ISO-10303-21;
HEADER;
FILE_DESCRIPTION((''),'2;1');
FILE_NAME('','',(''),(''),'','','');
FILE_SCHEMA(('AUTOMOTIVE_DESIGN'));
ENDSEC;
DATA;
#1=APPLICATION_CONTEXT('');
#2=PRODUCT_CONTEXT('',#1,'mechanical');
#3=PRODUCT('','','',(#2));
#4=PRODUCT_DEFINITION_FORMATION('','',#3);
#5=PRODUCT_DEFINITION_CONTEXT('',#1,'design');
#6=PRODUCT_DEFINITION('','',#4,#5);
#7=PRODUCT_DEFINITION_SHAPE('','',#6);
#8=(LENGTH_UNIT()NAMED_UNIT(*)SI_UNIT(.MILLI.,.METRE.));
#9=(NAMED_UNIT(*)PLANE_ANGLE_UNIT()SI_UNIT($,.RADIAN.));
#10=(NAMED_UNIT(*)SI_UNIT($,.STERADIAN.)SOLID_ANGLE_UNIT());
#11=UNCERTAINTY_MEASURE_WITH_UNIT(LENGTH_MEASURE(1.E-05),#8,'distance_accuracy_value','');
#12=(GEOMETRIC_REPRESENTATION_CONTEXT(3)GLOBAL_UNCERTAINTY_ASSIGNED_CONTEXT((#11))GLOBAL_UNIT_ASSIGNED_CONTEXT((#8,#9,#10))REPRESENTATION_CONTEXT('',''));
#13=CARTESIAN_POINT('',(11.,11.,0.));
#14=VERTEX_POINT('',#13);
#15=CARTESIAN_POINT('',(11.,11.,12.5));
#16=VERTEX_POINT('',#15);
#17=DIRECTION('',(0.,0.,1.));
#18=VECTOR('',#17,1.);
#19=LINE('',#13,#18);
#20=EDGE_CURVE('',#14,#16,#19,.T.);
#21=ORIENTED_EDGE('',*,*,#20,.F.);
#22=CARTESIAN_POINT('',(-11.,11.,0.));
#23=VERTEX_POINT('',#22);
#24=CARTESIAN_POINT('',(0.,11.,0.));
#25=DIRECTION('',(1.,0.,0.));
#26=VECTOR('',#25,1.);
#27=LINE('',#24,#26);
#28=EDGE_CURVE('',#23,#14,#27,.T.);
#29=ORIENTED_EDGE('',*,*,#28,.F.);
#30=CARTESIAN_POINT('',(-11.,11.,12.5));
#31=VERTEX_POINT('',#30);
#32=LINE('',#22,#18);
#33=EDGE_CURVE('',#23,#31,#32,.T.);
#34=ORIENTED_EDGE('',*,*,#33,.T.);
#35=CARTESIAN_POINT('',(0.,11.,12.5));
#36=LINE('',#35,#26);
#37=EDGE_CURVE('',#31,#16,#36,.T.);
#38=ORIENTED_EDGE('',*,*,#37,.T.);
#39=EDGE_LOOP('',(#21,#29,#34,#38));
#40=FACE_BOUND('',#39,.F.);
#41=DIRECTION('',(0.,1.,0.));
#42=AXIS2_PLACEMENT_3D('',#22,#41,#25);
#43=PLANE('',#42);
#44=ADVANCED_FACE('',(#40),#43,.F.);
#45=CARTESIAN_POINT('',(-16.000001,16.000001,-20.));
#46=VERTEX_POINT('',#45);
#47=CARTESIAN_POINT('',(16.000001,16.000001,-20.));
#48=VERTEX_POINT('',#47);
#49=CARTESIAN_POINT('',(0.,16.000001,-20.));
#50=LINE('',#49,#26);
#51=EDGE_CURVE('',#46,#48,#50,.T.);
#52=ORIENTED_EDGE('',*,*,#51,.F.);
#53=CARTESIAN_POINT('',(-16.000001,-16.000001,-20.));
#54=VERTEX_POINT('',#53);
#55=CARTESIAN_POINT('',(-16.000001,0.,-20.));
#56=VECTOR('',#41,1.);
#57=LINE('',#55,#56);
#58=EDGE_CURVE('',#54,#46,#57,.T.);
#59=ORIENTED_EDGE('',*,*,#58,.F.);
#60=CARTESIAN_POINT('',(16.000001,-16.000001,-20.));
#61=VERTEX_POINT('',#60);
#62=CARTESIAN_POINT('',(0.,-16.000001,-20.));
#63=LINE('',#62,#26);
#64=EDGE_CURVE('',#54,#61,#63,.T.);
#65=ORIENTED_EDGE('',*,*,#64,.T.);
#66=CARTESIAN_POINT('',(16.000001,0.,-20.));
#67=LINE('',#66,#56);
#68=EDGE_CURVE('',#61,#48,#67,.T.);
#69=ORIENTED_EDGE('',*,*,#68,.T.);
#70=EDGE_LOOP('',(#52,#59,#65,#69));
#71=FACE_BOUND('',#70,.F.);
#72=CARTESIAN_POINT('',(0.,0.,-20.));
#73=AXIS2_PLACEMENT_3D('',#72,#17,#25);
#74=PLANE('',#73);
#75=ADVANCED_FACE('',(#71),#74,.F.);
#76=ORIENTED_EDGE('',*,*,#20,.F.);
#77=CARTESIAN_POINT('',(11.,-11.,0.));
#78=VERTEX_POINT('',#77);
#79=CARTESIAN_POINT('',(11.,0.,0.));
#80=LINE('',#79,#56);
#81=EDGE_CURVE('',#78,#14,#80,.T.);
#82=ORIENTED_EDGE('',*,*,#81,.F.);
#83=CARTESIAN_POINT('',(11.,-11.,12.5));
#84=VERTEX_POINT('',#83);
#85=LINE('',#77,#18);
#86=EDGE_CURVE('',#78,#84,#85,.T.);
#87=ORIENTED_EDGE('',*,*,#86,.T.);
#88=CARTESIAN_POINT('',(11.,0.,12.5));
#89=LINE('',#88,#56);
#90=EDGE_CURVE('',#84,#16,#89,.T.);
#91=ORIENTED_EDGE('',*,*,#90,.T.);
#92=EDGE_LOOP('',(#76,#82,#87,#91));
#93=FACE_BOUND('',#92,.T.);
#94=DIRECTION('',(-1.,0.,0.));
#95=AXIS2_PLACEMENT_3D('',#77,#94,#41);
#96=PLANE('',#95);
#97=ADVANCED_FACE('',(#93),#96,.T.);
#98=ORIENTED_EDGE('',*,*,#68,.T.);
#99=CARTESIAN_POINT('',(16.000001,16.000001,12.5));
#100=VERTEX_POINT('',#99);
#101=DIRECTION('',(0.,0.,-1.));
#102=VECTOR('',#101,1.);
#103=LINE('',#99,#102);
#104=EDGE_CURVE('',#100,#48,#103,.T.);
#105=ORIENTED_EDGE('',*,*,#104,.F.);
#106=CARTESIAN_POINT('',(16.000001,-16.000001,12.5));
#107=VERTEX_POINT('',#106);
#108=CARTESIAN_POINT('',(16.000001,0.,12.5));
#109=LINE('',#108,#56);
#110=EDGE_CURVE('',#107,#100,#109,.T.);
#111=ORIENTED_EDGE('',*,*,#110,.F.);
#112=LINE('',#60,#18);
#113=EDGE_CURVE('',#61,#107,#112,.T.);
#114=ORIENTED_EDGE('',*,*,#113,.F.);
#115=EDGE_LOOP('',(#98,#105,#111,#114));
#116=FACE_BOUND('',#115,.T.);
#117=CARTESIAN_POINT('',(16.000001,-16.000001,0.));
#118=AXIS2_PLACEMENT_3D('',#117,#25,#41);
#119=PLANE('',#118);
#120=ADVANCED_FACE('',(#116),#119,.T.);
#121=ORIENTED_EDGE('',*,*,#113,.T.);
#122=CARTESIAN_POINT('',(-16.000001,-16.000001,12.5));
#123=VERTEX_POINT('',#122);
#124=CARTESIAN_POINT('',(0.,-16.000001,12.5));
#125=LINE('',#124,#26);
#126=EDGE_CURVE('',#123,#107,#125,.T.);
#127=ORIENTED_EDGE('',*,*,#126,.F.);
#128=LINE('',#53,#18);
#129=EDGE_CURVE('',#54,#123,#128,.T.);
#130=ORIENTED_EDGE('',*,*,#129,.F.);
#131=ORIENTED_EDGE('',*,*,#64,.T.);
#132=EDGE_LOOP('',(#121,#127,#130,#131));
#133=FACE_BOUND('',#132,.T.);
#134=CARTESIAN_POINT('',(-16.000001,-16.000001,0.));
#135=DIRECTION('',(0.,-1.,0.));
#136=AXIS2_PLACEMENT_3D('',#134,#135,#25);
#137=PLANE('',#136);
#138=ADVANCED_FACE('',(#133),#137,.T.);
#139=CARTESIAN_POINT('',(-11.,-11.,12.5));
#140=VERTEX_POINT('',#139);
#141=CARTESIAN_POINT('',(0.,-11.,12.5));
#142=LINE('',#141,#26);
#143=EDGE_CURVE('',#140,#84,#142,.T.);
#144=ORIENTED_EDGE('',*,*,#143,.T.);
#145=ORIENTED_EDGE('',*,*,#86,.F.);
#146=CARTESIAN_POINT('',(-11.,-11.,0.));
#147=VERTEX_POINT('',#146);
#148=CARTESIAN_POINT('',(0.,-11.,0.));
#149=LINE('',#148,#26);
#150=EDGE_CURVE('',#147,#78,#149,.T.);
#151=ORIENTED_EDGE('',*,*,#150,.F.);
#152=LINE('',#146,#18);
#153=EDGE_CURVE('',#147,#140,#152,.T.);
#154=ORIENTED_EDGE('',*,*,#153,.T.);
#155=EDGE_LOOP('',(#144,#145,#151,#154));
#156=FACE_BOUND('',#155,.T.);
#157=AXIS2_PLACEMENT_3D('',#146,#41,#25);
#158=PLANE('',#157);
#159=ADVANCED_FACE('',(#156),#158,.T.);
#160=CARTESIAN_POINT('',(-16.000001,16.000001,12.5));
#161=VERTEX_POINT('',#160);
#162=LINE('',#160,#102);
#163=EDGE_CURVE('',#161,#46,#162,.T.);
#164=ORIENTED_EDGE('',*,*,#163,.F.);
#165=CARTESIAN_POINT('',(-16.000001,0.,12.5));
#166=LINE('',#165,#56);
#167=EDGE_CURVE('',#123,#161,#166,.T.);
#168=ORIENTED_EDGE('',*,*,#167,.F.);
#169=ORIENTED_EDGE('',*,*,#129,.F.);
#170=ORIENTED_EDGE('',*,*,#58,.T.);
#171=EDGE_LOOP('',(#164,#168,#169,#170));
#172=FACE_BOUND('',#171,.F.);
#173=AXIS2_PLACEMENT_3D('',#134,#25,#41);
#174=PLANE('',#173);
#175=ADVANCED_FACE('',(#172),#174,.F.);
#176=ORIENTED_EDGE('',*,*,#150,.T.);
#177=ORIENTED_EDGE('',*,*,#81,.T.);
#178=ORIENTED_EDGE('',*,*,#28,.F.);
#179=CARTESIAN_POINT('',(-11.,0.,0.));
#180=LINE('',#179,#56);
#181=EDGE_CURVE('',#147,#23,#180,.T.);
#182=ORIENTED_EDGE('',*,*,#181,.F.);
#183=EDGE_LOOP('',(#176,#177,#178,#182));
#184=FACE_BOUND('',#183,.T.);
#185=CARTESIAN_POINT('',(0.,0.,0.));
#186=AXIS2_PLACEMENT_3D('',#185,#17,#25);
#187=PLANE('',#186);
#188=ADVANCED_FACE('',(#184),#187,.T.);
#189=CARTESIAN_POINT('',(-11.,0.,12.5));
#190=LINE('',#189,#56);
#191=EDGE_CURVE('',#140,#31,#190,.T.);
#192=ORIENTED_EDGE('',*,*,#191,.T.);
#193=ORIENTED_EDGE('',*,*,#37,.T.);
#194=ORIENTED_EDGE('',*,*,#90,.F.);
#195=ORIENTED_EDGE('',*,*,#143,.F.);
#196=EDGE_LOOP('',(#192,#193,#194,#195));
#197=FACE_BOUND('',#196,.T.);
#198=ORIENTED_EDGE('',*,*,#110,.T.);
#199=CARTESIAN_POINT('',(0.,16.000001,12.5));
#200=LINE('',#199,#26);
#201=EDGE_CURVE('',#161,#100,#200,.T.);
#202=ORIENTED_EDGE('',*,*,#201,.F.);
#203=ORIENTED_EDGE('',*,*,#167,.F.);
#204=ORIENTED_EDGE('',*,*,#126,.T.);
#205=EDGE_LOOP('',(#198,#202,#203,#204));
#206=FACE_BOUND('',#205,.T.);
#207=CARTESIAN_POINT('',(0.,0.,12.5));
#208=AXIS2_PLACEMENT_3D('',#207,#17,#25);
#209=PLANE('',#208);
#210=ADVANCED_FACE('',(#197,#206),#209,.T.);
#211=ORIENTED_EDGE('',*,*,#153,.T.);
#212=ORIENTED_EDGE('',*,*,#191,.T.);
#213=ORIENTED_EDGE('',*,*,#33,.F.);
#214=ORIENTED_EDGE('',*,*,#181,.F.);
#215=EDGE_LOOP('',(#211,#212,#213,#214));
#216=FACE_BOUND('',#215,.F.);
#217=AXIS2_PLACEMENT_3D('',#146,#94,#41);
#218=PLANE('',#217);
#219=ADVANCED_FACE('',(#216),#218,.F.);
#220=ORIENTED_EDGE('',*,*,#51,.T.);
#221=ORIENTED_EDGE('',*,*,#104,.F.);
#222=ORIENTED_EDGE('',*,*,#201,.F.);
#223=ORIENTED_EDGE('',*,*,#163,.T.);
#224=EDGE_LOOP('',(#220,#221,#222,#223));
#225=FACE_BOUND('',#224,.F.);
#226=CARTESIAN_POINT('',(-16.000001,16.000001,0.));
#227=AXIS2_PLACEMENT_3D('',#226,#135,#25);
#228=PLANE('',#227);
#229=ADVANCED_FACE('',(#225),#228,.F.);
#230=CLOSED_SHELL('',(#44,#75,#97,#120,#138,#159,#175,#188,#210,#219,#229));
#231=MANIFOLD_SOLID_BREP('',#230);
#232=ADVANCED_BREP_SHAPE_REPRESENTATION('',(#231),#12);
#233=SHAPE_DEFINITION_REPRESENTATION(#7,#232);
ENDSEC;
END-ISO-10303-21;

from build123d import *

# Parameters (mm, degrees)
F0_W     = 32.0000015199
F0_H     = 32.0000015199
F0_W_2   = 22
F0_H_2   = 22
F1_DEPTH = 12.5
F2_DEPTH = 20


with BuildPart() as f1:
    # F0 (on Top) → F1 (new body)
    with BuildSketch(Plane.XY):
        Rectangle(F0_W, F0_H)
        Rectangle(F0_W_2, F0_H_2, mode=Mode.SUBTRACT)
    extrude(amount=F1_DEPTH)

    # F0 (on Top) → F2 (join)
    with BuildSketch(Plane.XY):
        Rectangle(F0_W, F0_H)
        Rectangle(F0_W_2, F0_H_2, mode=Mode.SUBTRACT)
        Rectangle(F0_W_2, F0_H_2)
    extrude(amount=-F2_DEPTH)


solid = f1.part
